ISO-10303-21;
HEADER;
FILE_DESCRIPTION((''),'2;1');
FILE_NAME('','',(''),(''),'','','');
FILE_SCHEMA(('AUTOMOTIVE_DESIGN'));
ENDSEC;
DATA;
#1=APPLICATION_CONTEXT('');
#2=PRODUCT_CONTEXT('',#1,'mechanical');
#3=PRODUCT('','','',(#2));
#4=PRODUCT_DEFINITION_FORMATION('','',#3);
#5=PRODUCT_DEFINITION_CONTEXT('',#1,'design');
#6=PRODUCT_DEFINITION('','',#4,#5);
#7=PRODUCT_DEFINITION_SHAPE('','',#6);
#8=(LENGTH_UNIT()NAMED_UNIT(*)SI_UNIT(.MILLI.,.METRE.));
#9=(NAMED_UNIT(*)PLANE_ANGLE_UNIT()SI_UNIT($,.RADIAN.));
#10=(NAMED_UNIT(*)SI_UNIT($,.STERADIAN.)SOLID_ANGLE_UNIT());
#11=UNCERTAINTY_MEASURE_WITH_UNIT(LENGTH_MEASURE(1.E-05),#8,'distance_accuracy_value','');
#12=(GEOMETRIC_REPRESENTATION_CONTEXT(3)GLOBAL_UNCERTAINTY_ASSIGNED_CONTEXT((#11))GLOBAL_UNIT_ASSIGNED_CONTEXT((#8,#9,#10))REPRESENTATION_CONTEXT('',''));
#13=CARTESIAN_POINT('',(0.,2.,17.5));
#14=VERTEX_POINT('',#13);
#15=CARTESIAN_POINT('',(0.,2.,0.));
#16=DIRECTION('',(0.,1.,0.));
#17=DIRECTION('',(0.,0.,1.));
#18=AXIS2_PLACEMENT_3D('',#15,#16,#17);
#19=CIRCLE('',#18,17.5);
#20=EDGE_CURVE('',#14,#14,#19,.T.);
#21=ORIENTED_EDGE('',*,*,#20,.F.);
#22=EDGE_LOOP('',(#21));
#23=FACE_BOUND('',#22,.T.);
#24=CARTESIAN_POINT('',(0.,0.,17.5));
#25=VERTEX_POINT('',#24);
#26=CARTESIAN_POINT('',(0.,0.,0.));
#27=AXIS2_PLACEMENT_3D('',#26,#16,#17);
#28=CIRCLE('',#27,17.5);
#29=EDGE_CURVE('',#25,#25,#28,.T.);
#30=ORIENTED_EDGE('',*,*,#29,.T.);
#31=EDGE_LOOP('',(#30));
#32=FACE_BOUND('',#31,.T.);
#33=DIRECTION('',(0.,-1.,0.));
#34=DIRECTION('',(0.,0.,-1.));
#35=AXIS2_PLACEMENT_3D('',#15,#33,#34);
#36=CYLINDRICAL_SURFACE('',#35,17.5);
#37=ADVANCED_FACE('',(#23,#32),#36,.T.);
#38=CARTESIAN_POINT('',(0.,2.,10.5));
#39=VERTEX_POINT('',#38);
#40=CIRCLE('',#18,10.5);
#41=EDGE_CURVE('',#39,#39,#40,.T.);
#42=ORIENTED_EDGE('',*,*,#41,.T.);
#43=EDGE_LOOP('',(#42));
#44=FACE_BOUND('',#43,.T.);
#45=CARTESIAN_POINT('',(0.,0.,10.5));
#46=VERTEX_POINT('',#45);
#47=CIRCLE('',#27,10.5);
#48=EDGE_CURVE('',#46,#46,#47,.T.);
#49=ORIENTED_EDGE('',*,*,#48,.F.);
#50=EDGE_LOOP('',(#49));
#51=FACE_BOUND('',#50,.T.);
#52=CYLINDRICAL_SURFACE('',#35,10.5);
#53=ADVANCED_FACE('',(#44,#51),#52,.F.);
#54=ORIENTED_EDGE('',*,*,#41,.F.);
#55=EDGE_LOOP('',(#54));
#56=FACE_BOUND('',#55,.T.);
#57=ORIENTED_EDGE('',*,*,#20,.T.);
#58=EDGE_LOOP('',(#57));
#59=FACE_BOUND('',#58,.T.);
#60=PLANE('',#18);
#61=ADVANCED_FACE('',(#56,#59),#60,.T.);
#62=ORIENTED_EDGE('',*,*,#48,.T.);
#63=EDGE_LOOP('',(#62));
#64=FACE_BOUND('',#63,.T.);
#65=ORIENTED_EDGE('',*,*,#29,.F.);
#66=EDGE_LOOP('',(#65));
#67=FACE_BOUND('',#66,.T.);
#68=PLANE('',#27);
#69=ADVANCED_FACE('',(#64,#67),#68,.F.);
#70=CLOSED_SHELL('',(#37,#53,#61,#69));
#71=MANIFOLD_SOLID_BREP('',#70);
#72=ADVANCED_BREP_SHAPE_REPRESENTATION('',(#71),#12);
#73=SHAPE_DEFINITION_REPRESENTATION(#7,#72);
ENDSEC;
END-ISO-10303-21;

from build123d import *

# Parameters (mm, degrees)
SZKIC1_R                    = 17.5
SZKIC1_R_2                  = 10.5
DODANIE_WYCI_GNI_CIE1_DEPTH = 2


with BuildPart() as part:
    # Szkic1 → Dodanie-wyciągnięcie1 (new body)
    with BuildSketch(Plane(origin=(0, 0, 0), x_dir=(1, 0, 0), z_dir=(0, 1, 0))):
        with Locations(Location((0, 0, 0), (0, 0, 270))):
            Circle(SZKIC1_R)
        with Locations(Location((0, 0, 0), (0, 0, 270))):
            Circle(SZKIC1_R_2, mode=Mode.SUBTRACT)
    extrude(amount=DODANIE_WYCI_GNI_CIE1_DEPTH)


solid = part.part
